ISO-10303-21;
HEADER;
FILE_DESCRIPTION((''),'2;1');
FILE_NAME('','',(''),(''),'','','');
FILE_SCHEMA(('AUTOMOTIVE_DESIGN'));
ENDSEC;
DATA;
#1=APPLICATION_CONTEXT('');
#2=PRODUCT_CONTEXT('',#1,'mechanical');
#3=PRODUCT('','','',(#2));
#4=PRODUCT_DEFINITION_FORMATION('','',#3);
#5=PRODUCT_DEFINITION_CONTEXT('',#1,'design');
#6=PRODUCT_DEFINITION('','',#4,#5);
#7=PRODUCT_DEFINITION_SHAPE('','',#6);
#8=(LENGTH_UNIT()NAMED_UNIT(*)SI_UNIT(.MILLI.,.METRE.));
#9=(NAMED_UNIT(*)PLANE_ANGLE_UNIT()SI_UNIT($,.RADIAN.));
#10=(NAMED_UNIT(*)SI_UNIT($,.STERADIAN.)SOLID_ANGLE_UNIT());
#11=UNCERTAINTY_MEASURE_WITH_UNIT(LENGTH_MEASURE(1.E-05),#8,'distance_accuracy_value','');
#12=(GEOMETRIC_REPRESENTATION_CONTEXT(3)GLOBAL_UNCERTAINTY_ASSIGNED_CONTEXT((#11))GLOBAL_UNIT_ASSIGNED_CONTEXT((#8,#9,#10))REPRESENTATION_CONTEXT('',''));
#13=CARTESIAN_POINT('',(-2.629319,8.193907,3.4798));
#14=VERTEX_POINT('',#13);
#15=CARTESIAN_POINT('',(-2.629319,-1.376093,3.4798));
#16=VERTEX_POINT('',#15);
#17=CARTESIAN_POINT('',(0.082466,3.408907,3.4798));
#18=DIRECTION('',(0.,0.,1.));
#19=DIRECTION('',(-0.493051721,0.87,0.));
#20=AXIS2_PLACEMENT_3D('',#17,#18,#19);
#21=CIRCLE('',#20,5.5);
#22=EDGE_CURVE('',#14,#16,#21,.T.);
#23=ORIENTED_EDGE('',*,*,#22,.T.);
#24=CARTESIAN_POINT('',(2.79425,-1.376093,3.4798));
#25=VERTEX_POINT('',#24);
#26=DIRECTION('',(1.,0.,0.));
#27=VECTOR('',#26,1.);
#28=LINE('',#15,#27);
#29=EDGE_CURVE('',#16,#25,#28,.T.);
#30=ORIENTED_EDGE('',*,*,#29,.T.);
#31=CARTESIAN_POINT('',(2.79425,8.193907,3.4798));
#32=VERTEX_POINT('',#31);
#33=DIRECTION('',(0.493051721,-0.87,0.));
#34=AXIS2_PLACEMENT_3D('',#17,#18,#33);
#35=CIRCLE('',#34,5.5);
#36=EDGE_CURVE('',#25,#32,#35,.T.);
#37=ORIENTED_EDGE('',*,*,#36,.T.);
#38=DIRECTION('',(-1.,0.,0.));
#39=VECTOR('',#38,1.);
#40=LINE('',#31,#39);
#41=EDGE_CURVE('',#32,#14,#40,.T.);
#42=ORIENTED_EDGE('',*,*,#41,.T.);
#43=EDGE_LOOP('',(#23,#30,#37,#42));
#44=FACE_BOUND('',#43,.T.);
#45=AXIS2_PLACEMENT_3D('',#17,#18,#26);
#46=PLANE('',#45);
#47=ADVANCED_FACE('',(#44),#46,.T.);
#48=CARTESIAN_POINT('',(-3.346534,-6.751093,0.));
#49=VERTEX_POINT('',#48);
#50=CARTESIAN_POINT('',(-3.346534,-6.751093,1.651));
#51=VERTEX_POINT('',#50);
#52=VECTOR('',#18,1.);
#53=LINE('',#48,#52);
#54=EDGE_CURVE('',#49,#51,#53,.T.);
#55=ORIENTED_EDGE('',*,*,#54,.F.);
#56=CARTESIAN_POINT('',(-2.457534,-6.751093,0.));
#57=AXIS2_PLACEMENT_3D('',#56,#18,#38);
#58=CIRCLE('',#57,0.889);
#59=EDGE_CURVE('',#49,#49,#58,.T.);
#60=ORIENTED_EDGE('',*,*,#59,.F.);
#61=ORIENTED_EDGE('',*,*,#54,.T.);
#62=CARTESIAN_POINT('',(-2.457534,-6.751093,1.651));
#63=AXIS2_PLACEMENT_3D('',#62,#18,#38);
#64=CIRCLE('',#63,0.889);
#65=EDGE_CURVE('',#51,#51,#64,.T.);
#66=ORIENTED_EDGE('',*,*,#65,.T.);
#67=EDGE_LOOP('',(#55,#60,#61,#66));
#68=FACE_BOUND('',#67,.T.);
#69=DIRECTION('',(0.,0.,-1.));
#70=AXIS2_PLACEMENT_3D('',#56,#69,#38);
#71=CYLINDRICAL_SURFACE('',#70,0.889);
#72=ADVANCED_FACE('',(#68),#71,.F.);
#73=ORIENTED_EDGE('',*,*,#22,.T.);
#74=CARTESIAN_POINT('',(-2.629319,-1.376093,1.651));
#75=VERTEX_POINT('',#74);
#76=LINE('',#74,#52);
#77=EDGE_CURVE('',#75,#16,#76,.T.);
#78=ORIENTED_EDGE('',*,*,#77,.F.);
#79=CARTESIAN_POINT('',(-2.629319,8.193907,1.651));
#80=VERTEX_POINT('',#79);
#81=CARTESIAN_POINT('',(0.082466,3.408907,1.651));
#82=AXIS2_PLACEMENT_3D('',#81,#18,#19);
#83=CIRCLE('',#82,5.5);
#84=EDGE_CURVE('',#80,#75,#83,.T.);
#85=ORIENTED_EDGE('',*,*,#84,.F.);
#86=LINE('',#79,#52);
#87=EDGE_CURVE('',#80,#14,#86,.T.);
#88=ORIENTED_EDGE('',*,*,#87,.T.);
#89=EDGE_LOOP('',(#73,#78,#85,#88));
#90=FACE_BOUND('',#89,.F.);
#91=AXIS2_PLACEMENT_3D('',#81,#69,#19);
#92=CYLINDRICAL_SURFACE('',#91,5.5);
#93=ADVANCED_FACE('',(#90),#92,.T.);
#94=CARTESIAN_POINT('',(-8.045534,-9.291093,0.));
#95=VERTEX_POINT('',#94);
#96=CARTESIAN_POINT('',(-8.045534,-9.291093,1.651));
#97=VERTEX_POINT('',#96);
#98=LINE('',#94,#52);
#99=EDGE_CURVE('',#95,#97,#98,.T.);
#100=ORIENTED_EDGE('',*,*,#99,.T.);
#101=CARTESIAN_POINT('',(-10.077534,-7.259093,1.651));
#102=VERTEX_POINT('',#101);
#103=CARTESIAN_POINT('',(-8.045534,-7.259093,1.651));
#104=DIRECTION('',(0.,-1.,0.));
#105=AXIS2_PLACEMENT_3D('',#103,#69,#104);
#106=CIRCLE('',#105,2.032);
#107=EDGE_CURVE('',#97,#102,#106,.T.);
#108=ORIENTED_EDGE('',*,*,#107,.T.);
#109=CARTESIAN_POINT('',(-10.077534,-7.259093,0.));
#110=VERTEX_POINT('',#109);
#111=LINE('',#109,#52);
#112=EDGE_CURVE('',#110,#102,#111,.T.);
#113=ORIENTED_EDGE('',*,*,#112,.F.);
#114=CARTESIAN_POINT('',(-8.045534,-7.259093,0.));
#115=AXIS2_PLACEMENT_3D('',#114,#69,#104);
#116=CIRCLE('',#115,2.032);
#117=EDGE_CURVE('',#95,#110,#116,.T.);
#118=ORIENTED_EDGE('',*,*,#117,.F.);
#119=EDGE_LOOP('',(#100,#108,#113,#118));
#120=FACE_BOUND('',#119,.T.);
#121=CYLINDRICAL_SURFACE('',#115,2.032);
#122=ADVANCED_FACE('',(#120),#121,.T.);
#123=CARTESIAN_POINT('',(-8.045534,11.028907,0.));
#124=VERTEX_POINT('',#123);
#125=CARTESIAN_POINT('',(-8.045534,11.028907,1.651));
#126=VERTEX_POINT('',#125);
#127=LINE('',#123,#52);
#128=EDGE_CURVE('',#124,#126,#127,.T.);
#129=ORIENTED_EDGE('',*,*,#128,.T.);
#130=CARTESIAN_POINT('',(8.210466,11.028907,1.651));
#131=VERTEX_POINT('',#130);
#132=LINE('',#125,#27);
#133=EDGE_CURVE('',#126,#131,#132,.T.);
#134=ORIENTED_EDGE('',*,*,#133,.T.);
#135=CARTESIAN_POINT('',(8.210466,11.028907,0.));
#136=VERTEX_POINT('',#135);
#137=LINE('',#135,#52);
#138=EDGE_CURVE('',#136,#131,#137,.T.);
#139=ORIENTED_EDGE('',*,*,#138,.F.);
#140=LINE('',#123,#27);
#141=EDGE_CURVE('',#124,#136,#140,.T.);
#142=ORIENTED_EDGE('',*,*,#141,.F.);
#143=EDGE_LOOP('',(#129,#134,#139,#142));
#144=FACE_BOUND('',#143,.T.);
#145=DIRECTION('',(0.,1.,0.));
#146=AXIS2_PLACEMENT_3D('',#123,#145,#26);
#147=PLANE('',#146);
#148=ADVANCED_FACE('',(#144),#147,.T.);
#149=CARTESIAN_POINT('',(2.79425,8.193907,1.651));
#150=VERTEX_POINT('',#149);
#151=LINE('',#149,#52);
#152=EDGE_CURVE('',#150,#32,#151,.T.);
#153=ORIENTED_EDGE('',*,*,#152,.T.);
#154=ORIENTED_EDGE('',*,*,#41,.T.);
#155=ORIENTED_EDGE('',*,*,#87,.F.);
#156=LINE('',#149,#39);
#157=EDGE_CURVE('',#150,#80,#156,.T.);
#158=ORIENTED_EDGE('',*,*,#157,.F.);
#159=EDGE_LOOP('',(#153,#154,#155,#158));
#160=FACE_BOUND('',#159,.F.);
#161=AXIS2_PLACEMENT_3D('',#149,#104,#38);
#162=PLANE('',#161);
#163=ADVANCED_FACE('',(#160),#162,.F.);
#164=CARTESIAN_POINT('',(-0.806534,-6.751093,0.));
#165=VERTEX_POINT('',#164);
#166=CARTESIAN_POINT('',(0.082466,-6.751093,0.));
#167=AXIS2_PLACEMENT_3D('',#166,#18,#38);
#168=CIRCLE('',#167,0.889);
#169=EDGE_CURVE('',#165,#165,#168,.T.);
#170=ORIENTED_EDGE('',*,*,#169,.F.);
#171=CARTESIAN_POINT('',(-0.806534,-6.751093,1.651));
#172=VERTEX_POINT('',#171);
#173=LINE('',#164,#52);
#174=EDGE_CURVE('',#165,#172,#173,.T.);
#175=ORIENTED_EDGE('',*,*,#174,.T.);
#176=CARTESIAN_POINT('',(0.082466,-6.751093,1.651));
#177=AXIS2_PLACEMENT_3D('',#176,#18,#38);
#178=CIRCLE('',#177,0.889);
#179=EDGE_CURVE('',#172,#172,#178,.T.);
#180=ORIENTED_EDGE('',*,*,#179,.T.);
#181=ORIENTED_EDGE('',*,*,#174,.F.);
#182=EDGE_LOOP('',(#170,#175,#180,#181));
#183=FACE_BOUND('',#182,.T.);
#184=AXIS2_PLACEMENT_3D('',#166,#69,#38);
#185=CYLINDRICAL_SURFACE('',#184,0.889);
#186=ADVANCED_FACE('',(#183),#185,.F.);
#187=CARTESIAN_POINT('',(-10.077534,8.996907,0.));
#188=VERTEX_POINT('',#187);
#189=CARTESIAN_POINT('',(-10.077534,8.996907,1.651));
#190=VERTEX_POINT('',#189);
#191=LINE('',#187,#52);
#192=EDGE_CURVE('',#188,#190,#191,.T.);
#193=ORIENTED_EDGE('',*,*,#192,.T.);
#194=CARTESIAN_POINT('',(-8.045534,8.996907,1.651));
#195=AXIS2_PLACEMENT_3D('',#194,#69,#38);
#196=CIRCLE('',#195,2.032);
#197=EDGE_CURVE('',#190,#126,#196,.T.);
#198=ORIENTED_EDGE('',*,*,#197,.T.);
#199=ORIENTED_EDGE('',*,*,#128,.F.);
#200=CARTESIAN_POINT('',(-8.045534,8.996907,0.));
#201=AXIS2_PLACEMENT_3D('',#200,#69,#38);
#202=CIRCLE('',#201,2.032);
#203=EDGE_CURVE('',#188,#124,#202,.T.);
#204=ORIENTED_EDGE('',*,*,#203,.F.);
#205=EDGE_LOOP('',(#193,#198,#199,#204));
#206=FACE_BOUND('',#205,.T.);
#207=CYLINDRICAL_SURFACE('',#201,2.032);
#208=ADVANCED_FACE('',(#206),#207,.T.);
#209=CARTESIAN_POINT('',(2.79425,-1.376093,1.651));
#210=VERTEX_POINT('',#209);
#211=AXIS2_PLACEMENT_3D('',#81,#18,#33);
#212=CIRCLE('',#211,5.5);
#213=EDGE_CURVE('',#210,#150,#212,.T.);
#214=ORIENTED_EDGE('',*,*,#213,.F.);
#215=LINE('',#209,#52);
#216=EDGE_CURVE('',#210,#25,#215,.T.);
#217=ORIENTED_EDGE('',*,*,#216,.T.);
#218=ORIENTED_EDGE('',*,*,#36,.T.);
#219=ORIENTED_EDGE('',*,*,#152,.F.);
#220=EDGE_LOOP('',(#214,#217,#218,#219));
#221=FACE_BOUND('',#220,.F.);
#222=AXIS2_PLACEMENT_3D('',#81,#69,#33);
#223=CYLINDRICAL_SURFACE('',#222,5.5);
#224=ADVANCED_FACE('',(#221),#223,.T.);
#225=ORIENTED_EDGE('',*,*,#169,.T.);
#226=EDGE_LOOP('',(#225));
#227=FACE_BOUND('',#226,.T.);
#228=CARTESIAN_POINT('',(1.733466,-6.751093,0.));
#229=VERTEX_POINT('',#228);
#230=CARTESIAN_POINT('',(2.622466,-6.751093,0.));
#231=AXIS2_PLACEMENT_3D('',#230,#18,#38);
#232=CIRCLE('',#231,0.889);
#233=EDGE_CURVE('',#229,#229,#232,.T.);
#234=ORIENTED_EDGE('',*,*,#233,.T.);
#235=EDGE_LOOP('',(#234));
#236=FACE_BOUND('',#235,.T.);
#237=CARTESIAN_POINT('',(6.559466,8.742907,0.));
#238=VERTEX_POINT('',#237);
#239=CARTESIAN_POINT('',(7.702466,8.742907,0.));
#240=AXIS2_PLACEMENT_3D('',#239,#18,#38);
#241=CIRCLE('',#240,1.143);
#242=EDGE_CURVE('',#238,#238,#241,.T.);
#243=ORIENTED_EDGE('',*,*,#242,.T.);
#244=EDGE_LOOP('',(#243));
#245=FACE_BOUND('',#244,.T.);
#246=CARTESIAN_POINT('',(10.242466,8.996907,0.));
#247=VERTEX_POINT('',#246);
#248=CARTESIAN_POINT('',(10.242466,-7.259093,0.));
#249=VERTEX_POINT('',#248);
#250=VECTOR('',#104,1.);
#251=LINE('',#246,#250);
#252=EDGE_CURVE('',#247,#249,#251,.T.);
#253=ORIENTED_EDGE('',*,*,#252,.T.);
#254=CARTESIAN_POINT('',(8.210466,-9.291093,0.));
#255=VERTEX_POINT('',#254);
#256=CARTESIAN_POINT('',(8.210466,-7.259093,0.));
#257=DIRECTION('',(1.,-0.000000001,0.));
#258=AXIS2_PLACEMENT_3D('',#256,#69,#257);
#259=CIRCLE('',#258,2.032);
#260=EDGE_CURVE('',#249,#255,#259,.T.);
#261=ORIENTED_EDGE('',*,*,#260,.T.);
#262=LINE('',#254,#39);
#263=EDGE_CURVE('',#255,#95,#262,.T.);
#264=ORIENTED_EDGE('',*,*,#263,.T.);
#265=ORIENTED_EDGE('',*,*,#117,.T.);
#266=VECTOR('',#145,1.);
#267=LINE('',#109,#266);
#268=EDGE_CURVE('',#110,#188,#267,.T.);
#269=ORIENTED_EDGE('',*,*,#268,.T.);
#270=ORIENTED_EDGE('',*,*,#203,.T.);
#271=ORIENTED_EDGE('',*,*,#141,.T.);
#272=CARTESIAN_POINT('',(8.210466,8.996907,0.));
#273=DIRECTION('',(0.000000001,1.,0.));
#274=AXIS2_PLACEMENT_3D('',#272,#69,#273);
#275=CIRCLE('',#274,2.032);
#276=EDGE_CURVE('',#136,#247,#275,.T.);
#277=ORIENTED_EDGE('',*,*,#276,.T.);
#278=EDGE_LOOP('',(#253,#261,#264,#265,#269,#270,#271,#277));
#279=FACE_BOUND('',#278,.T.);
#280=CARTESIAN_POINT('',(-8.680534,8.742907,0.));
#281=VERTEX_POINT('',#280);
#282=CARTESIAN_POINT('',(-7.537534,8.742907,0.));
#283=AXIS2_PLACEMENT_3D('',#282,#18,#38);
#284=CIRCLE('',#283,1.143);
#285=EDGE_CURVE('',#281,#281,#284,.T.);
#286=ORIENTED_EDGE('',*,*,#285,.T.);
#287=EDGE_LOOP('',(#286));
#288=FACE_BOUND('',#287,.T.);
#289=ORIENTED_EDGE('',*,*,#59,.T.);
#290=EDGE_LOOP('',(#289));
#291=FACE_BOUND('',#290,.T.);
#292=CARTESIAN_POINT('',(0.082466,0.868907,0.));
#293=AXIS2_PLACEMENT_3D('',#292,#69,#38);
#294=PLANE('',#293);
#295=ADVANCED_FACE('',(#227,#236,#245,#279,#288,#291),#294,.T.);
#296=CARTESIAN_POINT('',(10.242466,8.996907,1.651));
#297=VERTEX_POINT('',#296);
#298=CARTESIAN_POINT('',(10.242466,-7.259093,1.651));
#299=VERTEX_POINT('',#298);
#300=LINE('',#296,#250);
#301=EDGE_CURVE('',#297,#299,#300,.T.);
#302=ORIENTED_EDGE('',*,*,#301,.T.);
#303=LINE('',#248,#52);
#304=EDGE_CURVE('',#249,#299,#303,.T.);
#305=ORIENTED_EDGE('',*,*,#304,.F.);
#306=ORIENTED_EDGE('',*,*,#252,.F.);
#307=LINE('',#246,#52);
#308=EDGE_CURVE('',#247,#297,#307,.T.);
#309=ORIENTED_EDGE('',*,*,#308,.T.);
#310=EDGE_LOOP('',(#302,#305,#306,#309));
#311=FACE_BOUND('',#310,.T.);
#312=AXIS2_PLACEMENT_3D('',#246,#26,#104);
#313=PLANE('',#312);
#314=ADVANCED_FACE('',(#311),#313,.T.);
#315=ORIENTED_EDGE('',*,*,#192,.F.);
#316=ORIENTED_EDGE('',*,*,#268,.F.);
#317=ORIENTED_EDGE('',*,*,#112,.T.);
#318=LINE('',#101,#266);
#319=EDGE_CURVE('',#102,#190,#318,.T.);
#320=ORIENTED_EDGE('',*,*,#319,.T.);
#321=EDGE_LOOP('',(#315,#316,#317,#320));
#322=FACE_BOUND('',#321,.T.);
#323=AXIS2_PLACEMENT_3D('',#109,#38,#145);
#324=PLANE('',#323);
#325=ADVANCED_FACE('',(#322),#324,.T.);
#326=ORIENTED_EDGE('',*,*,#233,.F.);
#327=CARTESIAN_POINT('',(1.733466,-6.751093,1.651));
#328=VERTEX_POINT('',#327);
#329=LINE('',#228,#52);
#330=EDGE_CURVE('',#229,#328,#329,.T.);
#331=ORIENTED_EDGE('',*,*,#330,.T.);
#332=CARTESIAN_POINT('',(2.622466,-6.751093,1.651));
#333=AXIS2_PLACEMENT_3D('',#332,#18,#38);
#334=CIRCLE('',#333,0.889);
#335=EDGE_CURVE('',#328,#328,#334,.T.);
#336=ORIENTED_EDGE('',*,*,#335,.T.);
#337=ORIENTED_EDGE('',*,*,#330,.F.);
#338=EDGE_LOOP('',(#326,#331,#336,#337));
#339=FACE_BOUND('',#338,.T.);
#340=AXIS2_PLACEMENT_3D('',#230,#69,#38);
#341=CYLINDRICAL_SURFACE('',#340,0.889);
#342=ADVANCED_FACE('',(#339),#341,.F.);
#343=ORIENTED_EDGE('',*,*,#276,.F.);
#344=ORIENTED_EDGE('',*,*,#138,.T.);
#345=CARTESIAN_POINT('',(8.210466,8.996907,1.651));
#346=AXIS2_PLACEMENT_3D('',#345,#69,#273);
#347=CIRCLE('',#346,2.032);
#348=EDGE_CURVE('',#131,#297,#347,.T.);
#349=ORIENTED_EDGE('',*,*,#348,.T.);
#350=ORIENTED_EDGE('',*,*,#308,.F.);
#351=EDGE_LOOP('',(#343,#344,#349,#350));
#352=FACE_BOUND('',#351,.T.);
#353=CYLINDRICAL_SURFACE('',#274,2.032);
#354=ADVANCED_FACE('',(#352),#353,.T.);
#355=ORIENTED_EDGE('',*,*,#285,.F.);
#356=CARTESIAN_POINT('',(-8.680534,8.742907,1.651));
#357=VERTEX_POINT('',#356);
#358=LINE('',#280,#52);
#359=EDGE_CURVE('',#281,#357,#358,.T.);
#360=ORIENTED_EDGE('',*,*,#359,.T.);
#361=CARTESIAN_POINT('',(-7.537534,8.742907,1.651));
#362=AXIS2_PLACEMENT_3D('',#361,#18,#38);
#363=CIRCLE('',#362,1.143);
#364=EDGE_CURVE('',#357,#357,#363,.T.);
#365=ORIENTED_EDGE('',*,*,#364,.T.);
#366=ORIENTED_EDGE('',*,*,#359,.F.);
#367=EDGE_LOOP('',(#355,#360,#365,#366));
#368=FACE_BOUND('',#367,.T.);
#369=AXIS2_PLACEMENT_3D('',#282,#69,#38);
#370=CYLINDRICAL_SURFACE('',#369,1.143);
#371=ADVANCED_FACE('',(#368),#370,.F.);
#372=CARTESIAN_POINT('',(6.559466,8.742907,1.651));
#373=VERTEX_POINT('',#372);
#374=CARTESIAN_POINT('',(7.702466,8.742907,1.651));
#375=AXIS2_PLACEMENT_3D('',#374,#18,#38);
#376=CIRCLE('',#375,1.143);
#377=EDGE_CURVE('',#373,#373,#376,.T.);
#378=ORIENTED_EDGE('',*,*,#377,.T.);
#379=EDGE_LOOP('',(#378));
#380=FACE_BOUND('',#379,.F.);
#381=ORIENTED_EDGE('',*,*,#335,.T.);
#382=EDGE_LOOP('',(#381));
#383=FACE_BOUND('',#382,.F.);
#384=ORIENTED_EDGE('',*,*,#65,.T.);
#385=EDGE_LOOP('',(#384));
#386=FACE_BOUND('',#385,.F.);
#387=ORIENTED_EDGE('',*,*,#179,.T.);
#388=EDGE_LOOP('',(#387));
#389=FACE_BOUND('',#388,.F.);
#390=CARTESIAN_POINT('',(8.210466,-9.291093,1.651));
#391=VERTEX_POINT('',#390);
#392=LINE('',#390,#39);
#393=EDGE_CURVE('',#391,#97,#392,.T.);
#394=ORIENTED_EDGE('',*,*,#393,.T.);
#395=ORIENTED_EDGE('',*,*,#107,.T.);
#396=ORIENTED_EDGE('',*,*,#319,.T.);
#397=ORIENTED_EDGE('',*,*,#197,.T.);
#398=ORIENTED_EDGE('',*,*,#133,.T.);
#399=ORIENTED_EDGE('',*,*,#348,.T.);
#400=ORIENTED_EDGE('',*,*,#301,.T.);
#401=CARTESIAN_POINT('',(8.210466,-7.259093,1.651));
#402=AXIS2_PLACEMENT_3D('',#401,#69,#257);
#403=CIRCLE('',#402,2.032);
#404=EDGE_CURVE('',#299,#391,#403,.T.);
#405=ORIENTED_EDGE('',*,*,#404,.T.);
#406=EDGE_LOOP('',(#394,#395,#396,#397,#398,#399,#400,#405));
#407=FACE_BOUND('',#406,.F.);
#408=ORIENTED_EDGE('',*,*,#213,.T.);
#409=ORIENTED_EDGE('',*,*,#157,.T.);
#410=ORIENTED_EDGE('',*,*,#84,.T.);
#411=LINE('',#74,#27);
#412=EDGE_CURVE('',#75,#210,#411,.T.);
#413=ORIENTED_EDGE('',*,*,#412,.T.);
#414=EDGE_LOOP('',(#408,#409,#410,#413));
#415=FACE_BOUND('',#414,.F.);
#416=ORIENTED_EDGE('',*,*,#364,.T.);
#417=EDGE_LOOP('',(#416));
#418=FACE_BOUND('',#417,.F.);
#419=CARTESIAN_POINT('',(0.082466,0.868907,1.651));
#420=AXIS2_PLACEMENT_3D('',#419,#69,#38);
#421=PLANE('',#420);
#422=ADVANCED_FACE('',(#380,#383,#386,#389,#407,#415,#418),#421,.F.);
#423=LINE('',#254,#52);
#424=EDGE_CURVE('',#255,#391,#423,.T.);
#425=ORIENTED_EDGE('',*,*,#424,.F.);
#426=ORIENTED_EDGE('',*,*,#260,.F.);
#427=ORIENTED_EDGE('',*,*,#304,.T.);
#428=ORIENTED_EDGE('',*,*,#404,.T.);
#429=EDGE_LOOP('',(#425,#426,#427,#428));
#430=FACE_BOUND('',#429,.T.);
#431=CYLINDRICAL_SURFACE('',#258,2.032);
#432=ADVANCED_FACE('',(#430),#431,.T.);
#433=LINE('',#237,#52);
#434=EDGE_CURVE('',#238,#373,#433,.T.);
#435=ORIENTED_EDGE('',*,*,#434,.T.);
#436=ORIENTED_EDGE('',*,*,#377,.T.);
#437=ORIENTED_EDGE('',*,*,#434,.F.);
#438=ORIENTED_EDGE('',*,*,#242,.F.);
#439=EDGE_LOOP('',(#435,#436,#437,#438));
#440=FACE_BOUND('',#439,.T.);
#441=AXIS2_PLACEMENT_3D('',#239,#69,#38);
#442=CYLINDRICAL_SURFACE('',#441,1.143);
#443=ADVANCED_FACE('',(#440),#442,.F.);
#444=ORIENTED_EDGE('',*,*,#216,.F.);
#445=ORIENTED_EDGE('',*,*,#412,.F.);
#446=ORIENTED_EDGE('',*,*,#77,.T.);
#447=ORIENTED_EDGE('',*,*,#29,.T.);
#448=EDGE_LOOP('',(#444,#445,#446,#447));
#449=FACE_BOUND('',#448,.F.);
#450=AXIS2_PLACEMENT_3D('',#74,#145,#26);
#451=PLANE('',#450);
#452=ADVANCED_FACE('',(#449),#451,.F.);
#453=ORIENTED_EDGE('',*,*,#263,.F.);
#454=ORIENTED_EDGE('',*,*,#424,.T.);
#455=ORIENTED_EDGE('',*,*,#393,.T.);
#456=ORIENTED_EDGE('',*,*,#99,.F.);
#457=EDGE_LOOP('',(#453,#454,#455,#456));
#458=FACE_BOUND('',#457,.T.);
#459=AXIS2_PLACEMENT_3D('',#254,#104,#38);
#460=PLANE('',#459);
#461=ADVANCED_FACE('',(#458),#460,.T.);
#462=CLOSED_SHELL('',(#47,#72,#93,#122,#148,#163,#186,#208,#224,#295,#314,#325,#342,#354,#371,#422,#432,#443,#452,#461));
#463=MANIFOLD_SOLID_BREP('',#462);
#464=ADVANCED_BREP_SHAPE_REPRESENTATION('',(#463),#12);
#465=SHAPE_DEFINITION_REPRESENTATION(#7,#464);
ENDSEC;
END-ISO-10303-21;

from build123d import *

# Parameters (mm, degrees)
SKETCH1_R           = 1.143
SKETCH1_R_2         = 0.889
BOSS_EXTRUDE1_DEPTH = 1.651
BOSS_EXTRUDE2_DEPTH = 1.8288


with BuildPart() as part:
    # Sketch1 → Boss-Extrude1 (new body)
    with BuildSketch(Plane.XY):
        with BuildLine():
            Line((-8.04553404, 11.028906935), (8.21046596, 11.028906935))
            ThreePointArc((8.21046596, 11.028906935), (9.647306939, 10.433747914), (10.24246596, 8.996906935))
            Line((10.24246596, 8.996906935), (10.24246596, -7.259093065))
            ThreePointArc((10.24246596, -7.259093065), (9.647306939, -8.695934044), (8.21046596, -9.291093065))
            Line((8.21046596, -9.291093065), (-8.04553404, -9.291093065))
            ThreePointArc((-8.04553404, -9.291093065), (-9.48237502, -8.695934044), (-10.07753404, -7.259093065))
            Line((-10.07753404, -7.259093065), (-10.07753404, 8.996906935))
            ThreePointArc((-10.07753404, 8.996906935), (-9.48237502, 10.433747914), (-8.04553404, 11.028906935))
        make_face()
        with Locations(Location((-7.53753404, 8.742906935, 0), (0, 0, 180))):
            Circle(SKETCH1_R, mode=Mode.SUBTRACT)
        with Locations(Location((7.70246596, 8.742906935, 0), (0, 0, 180))):
            Circle(SKETCH1_R, mode=Mode.SUBTRACT)
        with Locations(Location((0.08246596, -6.751093065, 0), (0, 0, 180))):
            Circle(SKETCH1_R_2, mode=Mode.SUBTRACT)
        with Locations(Location((2.62246596, -6.751093065, 0), (0, 0, 180))):
            Circle(SKETCH1_R_2, mode=Mode.SUBTRACT)
        with Locations(Location((-2.45753404, -6.751093065, 0), (0, 0, 180))):
            Circle(SKETCH1_R_2, mode=Mode.SUBTRACT)
    extrude(amount=BOSS_EXTRUDE1_DEPTH)

    # Sketch2 → Boss-Extrude2 (add)
    with BuildSketch(Plane.XY.offset(1.651)):
        with BuildLine():
            Line((2.794250427, 8.193906935), (-2.629318508, 8.193906935))
            ThreePointArc((-2.629318508, 8.193906935), (-5.41753404, 3.408906935), (-2.629318508, -1.376093065))
            Line((-2.629318508, -1.376093065), (2.794250427, -1.376093065))
            ThreePointArc((2.794250427, -1.376093065), (5.58246596, 3.408906935), (2.794250427, 8.193906935))
        make_face()
    extrude(amount=BOSS_EXTRUDE2_DEPTH)


solid = part.part
